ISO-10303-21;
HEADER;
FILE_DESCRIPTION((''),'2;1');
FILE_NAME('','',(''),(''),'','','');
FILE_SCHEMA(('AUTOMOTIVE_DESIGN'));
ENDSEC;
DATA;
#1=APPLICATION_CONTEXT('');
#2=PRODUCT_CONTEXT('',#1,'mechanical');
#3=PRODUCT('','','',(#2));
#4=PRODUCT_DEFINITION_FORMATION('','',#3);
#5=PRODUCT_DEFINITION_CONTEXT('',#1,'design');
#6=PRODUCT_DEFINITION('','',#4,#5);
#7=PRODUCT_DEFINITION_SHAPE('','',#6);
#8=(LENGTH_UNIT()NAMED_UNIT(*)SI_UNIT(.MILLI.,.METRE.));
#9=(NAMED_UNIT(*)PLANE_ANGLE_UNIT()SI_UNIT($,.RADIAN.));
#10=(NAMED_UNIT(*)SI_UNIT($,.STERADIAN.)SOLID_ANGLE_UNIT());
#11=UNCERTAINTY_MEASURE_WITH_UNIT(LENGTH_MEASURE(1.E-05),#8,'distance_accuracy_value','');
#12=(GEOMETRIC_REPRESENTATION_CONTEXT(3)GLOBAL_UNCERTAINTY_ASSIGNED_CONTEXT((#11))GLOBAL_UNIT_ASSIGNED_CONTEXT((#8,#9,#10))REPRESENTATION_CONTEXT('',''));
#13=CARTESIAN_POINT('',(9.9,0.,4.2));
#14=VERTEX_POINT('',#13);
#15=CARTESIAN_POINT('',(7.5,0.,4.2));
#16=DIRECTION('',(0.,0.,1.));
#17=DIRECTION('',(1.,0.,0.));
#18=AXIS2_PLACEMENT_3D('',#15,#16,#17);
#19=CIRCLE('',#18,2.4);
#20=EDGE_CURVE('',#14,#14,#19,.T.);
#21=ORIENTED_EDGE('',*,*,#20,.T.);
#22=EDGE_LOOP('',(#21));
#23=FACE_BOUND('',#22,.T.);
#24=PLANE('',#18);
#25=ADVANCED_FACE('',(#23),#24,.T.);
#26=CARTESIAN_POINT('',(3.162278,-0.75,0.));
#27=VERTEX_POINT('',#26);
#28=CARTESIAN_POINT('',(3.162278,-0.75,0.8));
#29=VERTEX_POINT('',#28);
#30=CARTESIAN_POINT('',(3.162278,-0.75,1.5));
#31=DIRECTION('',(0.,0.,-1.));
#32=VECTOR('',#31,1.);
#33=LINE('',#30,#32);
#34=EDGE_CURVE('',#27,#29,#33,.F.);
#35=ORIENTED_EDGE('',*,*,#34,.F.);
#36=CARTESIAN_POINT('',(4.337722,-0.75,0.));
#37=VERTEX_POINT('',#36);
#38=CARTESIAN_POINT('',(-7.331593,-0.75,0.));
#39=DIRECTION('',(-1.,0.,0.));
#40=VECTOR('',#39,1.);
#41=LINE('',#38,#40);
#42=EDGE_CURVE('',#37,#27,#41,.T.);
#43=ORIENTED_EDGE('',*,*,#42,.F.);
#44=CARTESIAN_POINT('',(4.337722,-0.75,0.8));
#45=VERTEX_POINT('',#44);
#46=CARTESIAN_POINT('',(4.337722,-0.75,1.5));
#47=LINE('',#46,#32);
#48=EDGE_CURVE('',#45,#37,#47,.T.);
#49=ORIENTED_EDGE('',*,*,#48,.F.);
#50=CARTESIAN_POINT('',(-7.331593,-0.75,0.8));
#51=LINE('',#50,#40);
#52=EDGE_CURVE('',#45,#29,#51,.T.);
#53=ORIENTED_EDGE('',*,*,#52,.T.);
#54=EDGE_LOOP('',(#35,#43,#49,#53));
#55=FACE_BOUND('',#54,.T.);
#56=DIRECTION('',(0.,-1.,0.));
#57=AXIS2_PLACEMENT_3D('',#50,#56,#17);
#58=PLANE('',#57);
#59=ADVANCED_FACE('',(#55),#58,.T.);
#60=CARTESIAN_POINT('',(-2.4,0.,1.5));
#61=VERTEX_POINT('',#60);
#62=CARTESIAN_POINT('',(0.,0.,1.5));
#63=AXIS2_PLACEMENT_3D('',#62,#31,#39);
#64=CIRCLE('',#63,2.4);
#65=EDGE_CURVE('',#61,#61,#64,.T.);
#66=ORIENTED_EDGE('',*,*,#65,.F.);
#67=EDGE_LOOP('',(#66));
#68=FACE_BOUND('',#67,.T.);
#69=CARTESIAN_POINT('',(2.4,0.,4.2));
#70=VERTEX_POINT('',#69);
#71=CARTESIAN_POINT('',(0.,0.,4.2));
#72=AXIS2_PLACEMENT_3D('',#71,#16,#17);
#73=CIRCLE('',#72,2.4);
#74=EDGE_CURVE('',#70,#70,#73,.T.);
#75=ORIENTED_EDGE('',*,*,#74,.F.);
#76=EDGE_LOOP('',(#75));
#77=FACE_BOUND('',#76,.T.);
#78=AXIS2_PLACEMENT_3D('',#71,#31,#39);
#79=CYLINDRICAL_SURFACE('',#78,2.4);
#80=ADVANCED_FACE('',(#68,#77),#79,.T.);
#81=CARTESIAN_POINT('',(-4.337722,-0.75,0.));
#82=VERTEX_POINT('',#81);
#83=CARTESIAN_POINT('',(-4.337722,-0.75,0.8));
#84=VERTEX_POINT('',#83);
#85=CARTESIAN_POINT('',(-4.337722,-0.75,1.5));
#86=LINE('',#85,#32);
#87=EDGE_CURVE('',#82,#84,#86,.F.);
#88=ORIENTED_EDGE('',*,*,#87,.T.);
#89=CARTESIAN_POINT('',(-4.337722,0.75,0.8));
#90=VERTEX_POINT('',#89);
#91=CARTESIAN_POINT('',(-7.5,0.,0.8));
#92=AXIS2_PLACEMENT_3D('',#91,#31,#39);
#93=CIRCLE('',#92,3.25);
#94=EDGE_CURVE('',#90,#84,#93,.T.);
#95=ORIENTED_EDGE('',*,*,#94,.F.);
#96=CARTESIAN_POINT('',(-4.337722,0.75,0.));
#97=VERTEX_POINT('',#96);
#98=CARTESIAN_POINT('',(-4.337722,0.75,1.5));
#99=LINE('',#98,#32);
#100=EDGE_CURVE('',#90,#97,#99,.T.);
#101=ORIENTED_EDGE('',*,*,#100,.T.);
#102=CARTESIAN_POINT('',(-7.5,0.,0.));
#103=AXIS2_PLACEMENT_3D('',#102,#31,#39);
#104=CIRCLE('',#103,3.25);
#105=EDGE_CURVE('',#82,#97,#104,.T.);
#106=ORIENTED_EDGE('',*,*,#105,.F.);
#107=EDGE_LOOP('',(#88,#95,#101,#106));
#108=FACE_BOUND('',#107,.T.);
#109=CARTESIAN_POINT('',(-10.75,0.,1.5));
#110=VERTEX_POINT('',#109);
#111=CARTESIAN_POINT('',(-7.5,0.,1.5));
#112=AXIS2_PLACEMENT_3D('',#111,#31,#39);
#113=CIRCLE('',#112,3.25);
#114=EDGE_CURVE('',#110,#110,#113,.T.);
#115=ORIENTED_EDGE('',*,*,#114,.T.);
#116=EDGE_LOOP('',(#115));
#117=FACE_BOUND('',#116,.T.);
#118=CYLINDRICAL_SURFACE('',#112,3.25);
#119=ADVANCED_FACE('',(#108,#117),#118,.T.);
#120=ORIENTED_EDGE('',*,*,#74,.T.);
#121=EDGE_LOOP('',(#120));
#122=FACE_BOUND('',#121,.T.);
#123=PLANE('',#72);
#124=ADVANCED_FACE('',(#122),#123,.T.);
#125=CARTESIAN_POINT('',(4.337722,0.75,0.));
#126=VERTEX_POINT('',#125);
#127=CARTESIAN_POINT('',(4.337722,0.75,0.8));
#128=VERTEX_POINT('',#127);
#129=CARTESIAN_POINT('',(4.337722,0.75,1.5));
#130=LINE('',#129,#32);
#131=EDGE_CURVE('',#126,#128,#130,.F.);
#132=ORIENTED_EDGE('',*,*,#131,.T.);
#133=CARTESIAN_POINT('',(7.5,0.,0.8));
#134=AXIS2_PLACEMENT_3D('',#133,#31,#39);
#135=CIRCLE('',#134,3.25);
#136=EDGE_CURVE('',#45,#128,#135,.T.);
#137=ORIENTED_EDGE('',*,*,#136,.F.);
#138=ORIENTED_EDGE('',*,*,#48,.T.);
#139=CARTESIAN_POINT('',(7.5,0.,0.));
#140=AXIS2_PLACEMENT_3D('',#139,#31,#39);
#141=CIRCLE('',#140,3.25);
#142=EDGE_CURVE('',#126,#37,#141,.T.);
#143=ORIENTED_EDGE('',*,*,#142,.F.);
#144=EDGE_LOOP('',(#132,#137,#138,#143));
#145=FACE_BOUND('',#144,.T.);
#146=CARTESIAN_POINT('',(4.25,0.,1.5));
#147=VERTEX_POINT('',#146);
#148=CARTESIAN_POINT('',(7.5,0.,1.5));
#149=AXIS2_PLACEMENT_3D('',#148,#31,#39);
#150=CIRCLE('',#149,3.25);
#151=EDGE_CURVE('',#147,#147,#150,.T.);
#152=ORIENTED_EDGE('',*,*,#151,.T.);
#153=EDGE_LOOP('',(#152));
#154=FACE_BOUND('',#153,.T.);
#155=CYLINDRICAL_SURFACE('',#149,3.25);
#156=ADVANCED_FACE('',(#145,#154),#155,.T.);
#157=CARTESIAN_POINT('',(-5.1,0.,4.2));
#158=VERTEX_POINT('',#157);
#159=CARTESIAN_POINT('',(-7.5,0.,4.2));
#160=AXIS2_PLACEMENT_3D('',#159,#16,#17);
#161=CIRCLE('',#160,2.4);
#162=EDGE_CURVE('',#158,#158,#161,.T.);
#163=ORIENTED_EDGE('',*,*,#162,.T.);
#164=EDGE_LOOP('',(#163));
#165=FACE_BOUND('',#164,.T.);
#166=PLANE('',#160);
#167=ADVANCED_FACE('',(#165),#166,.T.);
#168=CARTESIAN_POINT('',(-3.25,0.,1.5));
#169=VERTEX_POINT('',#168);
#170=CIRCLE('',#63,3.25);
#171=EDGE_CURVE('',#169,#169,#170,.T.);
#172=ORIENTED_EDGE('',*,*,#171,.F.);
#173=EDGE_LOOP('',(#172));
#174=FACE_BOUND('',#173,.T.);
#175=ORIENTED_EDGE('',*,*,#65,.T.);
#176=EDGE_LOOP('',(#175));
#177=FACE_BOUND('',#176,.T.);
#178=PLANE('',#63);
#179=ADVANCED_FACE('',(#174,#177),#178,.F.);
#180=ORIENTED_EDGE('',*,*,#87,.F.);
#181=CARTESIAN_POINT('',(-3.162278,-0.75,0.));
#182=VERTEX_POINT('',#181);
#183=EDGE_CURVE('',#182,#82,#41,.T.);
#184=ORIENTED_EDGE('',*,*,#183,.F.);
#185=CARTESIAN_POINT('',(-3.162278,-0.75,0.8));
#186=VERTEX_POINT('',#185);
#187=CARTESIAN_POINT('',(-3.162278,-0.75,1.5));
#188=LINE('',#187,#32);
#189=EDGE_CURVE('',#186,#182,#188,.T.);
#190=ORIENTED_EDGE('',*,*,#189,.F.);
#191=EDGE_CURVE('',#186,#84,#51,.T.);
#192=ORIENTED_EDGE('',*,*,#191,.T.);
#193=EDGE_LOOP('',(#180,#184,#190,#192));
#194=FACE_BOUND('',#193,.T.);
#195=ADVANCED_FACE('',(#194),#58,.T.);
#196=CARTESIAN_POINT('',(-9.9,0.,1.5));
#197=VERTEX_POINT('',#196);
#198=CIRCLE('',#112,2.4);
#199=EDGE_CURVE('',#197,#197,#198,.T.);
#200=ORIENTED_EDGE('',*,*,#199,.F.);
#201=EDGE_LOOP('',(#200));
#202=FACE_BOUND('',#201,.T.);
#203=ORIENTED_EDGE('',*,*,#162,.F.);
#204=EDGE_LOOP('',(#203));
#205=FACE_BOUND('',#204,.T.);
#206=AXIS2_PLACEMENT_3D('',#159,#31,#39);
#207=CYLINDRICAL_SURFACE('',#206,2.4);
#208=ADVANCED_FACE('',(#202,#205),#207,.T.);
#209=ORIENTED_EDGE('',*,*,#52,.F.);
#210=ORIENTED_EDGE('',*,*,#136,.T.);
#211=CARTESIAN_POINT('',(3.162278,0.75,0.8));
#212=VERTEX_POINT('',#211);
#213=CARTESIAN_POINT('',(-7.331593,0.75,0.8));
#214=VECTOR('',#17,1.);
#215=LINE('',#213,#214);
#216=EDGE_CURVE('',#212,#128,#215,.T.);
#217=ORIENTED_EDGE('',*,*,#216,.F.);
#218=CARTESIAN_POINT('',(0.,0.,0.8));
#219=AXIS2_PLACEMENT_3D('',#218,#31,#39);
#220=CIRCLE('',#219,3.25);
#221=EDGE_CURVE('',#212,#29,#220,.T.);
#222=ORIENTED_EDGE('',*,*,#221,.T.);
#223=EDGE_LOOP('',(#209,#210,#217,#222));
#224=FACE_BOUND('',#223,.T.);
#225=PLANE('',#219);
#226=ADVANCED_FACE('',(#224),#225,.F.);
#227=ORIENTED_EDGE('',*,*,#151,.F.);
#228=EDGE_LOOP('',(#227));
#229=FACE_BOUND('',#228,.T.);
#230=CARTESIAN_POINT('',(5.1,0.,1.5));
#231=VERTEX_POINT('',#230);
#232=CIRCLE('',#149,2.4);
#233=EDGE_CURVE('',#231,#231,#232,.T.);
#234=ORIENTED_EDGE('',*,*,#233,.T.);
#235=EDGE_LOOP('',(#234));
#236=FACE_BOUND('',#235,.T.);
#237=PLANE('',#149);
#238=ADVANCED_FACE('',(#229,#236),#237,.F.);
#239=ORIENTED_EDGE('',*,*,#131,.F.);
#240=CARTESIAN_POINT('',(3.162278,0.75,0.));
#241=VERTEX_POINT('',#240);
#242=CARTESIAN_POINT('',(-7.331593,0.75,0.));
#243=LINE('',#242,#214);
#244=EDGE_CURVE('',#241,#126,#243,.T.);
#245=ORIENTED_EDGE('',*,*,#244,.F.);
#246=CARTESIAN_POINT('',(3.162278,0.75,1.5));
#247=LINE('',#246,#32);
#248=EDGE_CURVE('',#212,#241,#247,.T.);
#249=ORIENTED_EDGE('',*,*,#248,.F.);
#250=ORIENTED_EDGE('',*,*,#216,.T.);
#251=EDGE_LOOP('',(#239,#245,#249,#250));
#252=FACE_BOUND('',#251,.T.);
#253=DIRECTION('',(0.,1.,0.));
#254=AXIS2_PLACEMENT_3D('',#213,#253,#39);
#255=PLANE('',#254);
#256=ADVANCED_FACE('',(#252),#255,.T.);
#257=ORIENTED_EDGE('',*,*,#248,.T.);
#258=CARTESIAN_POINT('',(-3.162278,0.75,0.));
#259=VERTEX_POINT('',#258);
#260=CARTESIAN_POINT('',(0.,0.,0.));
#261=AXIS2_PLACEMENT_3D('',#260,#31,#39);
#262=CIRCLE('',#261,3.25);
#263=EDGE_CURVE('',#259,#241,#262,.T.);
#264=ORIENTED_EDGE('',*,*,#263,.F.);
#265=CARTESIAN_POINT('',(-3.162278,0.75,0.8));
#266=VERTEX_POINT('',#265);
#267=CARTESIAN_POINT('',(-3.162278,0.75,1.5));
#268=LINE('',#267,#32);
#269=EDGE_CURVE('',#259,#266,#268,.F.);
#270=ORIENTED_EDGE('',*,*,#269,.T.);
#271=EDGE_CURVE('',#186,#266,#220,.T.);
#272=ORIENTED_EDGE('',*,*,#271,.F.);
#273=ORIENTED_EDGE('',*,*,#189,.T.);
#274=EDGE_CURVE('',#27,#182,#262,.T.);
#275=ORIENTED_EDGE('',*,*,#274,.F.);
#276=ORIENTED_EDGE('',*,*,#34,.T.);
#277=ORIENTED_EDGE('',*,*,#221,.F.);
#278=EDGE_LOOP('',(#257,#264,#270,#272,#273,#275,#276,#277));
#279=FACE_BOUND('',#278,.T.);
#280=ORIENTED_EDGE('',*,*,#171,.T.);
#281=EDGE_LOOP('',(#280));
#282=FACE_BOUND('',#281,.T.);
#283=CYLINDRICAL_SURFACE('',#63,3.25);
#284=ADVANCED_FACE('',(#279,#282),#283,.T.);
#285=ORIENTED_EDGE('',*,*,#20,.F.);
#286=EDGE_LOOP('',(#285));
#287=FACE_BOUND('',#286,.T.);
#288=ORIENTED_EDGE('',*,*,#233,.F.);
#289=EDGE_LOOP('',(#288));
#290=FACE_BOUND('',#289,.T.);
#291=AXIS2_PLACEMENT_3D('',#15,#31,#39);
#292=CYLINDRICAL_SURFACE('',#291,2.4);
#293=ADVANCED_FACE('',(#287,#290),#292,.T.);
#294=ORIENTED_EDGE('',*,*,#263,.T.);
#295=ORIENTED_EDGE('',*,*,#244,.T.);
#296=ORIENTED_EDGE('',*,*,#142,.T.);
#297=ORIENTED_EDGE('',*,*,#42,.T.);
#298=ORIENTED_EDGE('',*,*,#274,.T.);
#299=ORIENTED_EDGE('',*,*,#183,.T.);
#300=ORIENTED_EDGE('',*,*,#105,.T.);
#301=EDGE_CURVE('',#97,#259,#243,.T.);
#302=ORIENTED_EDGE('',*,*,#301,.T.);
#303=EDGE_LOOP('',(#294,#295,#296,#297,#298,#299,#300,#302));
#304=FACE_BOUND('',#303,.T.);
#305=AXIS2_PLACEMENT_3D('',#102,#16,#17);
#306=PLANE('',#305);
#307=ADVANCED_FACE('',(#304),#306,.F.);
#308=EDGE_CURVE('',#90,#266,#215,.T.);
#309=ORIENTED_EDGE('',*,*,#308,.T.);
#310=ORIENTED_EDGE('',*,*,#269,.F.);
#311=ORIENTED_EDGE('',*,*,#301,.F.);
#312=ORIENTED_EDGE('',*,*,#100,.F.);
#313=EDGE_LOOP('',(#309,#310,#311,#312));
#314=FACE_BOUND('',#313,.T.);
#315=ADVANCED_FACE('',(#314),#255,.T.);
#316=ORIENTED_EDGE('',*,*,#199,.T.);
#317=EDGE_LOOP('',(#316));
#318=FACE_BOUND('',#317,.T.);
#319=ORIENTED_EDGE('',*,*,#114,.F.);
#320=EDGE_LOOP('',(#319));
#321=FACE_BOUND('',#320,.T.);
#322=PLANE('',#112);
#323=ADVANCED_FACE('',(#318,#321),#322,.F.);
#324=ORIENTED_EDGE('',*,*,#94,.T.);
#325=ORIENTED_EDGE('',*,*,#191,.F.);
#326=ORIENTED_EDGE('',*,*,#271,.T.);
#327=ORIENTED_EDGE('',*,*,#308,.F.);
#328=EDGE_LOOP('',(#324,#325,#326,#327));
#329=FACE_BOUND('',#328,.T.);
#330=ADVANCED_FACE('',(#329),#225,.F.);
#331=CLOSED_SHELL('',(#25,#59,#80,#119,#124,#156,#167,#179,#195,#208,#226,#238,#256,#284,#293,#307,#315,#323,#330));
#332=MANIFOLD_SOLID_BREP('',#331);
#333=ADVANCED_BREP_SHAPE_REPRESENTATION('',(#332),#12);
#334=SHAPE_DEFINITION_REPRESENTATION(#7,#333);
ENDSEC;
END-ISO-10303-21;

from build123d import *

# Parameters (mm, degrees)
SKETCH1_R             = 2.4
BOSS_EXTRUDE1_DEPTH   = 4.2
BOSS_EXTRUDE1_2_DEPTH = 4.2
BOSS_EXTRUDE1_3_DEPTH = 4.2
SKETCH2_W             = 14.663185534
SKETCH2_H             = 1.5
BOSS_EXTRUDE2_DEPTH   = 0.8
SKETCH3_R             = 3.25
BOSS_EXTRUDE3_DEPTH   = 1.5


with BuildPart() as part:
    # Sketch1 → Boss-Extrude1 (new body)
    with BuildSketch(Plane.XY):
        with Locations((-7.5, 0)):
            Circle(SKETCH1_R)
    extrude(amount=BOSS_EXTRUDE1_DEPTH)



with BuildPart() as body_2:
    # Sketch1 → Boss-Extrude1 2 (new body)
    with BuildSketch(Plane.XY):
        Circle(SKETCH1_R)
    extrude(amount=BOSS_EXTRUDE1_2_DEPTH)


with BuildPart() as body_3:
    # Sketch1 → Boss-Extrude1 3 (new body)
    with BuildSketch(Plane.XY):
        with Locations((7.5, 0)):
            Circle(SKETCH1_R)
    extrude(amount=BOSS_EXTRUDE1_3_DEPTH)


with BuildPart() as part_1:
    add(part.part)

    add(body_2.part)  # Boss-Extrude2 merges body 2

    add(body_3.part)  # Boss-Extrude2 merges body 3
    # Sketch2 → Boss-Extrude2 (add)
    with BuildSketch(Plane(origin=(0, 0, 0), x_dir=(-1, 0, 0), z_dir=(0, 0, -1))):
        Rectangle(SKETCH2_W, SKETCH2_H)
    extrude(amount=-BOSS_EXTRUDE2_DEPTH)

    # Sketch3 → Boss-Extrude3 (add)
    with BuildSketch(Plane(origin=(0, 0, 0), x_dir=(-1, 0, 0), z_dir=(0, 0, -1))):
        Circle(SKETCH3_R)
        with Locations((7.5, 0)):
            Circle(SKETCH3_R)
        with Locations((-7.5, 0)):
            Circle(SKETCH3_R)
    extrude(amount=-BOSS_EXTRUDE3_DEPTH)


solid = part_1.part
